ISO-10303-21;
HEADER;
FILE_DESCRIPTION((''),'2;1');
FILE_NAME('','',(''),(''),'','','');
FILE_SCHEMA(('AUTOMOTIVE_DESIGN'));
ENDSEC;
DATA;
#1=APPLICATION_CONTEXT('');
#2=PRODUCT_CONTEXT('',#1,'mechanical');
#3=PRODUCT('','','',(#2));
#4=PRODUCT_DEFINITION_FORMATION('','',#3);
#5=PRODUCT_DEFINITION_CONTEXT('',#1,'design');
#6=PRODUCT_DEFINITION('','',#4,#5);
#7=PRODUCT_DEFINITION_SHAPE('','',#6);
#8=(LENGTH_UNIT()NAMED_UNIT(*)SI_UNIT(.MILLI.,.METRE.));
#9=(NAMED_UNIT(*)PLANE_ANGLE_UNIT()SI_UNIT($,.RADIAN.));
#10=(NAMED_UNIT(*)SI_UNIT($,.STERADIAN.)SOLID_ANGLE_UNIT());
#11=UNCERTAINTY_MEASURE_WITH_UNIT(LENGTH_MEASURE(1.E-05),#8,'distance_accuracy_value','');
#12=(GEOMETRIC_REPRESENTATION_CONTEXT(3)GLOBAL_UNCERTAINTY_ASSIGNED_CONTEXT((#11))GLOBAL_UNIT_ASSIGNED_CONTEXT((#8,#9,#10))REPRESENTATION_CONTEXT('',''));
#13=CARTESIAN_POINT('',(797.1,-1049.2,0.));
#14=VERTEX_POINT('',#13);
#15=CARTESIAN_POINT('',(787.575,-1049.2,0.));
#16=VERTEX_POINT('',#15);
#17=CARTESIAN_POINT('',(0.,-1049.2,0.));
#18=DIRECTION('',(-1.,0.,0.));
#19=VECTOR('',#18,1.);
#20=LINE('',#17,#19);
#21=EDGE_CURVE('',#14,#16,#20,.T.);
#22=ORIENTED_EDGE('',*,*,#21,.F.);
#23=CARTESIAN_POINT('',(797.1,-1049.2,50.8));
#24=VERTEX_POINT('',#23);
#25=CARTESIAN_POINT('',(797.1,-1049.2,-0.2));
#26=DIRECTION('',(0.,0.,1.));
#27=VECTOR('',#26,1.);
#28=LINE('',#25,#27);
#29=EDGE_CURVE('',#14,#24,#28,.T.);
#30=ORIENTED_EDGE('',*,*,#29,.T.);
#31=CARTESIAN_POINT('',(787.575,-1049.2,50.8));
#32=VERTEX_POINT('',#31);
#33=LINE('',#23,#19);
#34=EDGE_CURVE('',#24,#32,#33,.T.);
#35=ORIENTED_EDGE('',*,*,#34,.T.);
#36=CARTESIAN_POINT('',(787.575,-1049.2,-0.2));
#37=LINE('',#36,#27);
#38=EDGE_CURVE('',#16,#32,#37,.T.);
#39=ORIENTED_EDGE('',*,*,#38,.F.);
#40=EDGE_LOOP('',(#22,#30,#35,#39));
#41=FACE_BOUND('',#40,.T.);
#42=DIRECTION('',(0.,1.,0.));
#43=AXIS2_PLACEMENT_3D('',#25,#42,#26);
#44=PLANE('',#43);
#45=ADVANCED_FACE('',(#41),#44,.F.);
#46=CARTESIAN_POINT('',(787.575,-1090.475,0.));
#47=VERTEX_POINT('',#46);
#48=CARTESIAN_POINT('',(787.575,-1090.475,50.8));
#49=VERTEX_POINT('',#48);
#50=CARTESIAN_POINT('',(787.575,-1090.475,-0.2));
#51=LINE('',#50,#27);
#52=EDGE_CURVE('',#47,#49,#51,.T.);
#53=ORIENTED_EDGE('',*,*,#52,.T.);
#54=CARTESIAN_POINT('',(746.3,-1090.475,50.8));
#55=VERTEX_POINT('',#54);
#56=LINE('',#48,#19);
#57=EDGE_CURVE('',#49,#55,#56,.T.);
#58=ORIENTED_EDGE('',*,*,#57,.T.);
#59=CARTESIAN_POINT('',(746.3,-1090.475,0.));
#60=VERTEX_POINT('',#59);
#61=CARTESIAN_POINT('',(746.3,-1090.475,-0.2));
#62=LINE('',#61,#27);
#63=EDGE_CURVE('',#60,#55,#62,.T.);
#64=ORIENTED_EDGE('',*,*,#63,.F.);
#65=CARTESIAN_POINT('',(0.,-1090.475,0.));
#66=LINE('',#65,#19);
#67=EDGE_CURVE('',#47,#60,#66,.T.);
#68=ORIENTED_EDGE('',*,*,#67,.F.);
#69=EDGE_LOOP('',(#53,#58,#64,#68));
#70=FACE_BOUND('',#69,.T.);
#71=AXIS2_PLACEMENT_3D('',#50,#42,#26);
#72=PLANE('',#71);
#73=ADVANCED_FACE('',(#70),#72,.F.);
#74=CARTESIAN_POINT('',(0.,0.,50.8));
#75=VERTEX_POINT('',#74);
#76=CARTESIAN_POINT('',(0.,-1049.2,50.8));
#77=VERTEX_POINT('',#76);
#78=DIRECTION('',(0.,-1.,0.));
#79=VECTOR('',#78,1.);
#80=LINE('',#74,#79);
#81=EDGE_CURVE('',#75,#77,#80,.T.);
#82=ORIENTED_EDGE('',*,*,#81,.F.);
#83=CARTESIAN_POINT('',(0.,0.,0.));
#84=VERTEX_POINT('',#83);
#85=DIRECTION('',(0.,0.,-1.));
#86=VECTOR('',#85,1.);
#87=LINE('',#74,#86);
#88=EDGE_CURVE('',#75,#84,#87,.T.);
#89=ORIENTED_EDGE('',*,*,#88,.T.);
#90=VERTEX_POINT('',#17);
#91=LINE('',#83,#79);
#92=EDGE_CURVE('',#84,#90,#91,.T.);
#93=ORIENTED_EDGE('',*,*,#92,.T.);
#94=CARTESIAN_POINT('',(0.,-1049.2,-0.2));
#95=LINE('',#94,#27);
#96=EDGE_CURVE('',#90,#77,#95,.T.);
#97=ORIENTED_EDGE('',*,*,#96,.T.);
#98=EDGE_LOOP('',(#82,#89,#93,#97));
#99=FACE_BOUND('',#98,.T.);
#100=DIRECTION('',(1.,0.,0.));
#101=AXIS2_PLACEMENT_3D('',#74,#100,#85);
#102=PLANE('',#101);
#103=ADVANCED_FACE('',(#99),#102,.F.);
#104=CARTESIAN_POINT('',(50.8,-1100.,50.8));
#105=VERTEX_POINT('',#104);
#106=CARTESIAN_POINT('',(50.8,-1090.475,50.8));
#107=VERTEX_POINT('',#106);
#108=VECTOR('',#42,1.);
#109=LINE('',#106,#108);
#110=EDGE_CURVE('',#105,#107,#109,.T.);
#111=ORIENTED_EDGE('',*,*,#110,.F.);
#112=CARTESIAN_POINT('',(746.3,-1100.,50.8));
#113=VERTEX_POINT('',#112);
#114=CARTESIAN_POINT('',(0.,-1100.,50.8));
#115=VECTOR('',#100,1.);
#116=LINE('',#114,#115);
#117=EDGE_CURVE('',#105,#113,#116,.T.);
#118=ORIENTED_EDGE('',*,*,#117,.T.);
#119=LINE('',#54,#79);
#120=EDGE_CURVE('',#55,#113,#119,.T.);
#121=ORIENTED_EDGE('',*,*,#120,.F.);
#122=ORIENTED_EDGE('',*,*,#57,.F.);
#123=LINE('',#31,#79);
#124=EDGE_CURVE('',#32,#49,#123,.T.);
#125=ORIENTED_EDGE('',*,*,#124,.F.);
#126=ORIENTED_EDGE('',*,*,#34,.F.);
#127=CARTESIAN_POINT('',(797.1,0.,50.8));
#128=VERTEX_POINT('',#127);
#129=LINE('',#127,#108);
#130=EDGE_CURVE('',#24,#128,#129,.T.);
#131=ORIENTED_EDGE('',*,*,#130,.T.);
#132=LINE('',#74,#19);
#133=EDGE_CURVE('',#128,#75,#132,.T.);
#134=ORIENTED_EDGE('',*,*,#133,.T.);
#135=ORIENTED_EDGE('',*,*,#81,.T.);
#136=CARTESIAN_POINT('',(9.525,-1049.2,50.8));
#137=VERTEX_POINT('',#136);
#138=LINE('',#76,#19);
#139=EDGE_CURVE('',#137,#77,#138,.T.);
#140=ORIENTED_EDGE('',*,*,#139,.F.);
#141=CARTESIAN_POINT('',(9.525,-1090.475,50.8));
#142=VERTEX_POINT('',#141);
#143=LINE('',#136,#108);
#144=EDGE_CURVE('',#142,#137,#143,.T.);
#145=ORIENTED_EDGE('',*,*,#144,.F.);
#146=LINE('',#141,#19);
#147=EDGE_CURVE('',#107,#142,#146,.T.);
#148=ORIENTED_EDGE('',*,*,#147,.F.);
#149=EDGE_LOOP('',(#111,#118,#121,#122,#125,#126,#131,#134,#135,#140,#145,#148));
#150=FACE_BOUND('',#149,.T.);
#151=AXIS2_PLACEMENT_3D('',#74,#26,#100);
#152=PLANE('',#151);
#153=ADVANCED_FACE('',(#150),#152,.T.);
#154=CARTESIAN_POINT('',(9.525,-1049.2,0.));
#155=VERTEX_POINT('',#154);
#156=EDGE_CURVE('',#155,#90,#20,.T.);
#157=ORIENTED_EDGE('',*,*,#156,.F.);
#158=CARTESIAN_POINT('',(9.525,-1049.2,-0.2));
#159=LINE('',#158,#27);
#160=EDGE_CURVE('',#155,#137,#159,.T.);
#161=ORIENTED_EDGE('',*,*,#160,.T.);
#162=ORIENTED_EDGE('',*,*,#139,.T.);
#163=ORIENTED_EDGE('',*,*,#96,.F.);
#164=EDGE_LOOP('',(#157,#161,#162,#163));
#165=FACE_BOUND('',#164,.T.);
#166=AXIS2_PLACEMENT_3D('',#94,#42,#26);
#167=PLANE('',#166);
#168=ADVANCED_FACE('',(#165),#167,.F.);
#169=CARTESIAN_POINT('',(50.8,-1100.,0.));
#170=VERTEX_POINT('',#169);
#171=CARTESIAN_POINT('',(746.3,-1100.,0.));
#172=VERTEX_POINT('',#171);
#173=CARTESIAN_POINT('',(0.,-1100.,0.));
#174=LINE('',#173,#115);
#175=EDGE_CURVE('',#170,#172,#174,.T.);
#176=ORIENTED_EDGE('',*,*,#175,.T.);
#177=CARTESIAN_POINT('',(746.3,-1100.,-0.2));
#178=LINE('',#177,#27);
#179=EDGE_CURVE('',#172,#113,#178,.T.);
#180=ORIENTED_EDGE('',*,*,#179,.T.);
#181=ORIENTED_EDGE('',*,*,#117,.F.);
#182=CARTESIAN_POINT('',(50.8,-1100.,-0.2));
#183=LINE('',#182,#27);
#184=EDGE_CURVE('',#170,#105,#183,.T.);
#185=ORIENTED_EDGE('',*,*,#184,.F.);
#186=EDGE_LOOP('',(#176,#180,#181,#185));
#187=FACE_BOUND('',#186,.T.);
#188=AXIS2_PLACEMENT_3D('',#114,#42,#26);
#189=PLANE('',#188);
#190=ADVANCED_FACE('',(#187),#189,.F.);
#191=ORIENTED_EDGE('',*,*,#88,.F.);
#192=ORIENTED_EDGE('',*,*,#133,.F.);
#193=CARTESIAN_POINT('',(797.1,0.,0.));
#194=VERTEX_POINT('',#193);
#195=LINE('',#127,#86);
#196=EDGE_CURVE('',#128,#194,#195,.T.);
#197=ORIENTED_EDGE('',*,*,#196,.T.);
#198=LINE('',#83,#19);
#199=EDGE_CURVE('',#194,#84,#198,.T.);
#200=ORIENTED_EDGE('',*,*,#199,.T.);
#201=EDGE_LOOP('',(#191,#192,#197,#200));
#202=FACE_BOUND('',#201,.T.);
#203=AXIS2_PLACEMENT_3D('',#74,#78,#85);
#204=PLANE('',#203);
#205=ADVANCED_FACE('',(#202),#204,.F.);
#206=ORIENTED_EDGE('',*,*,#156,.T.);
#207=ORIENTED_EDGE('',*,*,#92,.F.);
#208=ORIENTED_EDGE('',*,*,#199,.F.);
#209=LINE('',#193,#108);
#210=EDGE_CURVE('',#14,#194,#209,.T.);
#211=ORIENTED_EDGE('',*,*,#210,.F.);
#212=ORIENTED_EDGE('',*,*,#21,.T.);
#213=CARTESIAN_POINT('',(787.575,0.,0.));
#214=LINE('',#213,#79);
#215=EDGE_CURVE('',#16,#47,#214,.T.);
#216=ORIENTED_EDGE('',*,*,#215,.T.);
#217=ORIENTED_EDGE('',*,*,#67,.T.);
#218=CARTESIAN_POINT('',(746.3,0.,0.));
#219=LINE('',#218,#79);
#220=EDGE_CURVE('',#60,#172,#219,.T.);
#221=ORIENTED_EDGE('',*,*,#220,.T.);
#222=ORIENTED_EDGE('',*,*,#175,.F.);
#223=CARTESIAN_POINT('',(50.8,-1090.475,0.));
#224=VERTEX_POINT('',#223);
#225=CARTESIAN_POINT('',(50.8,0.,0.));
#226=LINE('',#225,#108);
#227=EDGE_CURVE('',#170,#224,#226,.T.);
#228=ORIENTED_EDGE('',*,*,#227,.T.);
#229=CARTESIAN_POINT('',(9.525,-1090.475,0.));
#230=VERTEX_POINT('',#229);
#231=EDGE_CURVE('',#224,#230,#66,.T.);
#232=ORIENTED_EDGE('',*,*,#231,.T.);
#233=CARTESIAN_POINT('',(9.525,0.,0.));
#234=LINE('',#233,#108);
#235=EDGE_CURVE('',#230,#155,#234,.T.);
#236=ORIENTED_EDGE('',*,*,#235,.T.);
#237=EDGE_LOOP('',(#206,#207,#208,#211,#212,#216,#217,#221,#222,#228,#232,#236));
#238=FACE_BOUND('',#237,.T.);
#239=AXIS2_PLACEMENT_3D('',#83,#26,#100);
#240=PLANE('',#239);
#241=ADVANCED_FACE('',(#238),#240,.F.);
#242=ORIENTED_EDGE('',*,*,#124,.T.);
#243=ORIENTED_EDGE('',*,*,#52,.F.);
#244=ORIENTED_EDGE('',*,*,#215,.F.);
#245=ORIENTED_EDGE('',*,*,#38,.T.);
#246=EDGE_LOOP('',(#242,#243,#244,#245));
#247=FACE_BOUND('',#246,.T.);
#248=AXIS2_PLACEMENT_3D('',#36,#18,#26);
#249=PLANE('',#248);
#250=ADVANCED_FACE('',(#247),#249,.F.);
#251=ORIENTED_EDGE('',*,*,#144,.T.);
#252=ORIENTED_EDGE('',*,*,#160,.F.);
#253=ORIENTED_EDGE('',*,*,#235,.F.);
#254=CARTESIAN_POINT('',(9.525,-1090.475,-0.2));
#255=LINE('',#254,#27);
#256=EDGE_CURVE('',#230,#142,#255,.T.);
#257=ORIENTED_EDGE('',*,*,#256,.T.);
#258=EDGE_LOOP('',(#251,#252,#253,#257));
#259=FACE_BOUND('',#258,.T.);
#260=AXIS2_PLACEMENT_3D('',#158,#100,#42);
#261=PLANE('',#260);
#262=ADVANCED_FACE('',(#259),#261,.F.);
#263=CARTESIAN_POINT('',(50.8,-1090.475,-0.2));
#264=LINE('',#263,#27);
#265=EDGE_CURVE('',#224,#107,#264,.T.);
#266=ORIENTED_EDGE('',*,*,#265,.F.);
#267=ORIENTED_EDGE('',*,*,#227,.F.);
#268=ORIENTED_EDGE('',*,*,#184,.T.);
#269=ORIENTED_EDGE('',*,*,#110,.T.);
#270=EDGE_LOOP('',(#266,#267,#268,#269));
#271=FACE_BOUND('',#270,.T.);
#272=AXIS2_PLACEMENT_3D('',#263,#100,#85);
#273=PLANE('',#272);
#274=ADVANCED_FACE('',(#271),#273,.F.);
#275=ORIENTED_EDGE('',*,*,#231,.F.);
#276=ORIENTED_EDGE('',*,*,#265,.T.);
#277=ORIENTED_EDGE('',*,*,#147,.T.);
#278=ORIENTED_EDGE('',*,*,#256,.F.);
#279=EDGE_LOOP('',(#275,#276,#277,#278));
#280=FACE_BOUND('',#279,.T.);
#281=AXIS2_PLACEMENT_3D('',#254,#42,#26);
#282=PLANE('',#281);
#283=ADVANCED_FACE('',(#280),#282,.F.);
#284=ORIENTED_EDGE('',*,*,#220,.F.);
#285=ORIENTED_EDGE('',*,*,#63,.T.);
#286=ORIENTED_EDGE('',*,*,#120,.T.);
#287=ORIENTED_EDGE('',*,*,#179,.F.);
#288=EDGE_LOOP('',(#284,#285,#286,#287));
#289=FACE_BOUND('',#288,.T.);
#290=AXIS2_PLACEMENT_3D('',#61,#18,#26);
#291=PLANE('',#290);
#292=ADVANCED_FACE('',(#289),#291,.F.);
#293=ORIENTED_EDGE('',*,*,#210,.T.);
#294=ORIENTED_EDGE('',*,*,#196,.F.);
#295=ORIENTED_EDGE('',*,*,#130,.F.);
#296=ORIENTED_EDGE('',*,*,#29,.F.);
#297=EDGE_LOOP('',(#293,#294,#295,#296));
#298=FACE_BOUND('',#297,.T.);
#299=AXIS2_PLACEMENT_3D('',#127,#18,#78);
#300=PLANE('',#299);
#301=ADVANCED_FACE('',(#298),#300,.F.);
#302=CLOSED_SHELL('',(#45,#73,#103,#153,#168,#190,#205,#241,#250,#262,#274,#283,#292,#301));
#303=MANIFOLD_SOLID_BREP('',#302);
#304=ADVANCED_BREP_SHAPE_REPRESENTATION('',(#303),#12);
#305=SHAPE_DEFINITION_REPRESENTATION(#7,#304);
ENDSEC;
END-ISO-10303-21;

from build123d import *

# Parameters (mm, degrees)
CROQUIS1_W              = 797.1
CROQUIS1_H              = 1100
SALIENTE_EXTRUIR1_DEPTH = 50.8
CORTAR_EXTRUIR1_DEPTH   = 51


with BuildPart() as part:
    # Croquis1 → Saliente-Extruir1 (new body)
    with BuildSketch(Plane.XY):
        with Locations((398.55, -550)):
            Rectangle(CROQUIS1_W, CROQUIS1_H)
    extrude(amount=SALIENTE_EXTRUIR1_DEPTH)

    # Croquis2 → Cortar-Extruir1 (cut)
    with BuildSketch(Plane.XY.offset(50.8)):
        Polygon((0, -1049.2), (9.525, -1049.2), (9.525, -1090.475), (50.8, -1090.475), (50.8, -1100), (0, -1100), align=None)
        Polygon((797.1, -1100), (797.1, -1049.2), (787.575, -1049.2), (787.575, -1090.475), (746.3, -1090.475), (746.3, -1100), align=None)
    extrude(amount=-CORTAR_EXTRUIR1_DEPTH, mode=Mode.SUBTRACT)


solid = part.part
